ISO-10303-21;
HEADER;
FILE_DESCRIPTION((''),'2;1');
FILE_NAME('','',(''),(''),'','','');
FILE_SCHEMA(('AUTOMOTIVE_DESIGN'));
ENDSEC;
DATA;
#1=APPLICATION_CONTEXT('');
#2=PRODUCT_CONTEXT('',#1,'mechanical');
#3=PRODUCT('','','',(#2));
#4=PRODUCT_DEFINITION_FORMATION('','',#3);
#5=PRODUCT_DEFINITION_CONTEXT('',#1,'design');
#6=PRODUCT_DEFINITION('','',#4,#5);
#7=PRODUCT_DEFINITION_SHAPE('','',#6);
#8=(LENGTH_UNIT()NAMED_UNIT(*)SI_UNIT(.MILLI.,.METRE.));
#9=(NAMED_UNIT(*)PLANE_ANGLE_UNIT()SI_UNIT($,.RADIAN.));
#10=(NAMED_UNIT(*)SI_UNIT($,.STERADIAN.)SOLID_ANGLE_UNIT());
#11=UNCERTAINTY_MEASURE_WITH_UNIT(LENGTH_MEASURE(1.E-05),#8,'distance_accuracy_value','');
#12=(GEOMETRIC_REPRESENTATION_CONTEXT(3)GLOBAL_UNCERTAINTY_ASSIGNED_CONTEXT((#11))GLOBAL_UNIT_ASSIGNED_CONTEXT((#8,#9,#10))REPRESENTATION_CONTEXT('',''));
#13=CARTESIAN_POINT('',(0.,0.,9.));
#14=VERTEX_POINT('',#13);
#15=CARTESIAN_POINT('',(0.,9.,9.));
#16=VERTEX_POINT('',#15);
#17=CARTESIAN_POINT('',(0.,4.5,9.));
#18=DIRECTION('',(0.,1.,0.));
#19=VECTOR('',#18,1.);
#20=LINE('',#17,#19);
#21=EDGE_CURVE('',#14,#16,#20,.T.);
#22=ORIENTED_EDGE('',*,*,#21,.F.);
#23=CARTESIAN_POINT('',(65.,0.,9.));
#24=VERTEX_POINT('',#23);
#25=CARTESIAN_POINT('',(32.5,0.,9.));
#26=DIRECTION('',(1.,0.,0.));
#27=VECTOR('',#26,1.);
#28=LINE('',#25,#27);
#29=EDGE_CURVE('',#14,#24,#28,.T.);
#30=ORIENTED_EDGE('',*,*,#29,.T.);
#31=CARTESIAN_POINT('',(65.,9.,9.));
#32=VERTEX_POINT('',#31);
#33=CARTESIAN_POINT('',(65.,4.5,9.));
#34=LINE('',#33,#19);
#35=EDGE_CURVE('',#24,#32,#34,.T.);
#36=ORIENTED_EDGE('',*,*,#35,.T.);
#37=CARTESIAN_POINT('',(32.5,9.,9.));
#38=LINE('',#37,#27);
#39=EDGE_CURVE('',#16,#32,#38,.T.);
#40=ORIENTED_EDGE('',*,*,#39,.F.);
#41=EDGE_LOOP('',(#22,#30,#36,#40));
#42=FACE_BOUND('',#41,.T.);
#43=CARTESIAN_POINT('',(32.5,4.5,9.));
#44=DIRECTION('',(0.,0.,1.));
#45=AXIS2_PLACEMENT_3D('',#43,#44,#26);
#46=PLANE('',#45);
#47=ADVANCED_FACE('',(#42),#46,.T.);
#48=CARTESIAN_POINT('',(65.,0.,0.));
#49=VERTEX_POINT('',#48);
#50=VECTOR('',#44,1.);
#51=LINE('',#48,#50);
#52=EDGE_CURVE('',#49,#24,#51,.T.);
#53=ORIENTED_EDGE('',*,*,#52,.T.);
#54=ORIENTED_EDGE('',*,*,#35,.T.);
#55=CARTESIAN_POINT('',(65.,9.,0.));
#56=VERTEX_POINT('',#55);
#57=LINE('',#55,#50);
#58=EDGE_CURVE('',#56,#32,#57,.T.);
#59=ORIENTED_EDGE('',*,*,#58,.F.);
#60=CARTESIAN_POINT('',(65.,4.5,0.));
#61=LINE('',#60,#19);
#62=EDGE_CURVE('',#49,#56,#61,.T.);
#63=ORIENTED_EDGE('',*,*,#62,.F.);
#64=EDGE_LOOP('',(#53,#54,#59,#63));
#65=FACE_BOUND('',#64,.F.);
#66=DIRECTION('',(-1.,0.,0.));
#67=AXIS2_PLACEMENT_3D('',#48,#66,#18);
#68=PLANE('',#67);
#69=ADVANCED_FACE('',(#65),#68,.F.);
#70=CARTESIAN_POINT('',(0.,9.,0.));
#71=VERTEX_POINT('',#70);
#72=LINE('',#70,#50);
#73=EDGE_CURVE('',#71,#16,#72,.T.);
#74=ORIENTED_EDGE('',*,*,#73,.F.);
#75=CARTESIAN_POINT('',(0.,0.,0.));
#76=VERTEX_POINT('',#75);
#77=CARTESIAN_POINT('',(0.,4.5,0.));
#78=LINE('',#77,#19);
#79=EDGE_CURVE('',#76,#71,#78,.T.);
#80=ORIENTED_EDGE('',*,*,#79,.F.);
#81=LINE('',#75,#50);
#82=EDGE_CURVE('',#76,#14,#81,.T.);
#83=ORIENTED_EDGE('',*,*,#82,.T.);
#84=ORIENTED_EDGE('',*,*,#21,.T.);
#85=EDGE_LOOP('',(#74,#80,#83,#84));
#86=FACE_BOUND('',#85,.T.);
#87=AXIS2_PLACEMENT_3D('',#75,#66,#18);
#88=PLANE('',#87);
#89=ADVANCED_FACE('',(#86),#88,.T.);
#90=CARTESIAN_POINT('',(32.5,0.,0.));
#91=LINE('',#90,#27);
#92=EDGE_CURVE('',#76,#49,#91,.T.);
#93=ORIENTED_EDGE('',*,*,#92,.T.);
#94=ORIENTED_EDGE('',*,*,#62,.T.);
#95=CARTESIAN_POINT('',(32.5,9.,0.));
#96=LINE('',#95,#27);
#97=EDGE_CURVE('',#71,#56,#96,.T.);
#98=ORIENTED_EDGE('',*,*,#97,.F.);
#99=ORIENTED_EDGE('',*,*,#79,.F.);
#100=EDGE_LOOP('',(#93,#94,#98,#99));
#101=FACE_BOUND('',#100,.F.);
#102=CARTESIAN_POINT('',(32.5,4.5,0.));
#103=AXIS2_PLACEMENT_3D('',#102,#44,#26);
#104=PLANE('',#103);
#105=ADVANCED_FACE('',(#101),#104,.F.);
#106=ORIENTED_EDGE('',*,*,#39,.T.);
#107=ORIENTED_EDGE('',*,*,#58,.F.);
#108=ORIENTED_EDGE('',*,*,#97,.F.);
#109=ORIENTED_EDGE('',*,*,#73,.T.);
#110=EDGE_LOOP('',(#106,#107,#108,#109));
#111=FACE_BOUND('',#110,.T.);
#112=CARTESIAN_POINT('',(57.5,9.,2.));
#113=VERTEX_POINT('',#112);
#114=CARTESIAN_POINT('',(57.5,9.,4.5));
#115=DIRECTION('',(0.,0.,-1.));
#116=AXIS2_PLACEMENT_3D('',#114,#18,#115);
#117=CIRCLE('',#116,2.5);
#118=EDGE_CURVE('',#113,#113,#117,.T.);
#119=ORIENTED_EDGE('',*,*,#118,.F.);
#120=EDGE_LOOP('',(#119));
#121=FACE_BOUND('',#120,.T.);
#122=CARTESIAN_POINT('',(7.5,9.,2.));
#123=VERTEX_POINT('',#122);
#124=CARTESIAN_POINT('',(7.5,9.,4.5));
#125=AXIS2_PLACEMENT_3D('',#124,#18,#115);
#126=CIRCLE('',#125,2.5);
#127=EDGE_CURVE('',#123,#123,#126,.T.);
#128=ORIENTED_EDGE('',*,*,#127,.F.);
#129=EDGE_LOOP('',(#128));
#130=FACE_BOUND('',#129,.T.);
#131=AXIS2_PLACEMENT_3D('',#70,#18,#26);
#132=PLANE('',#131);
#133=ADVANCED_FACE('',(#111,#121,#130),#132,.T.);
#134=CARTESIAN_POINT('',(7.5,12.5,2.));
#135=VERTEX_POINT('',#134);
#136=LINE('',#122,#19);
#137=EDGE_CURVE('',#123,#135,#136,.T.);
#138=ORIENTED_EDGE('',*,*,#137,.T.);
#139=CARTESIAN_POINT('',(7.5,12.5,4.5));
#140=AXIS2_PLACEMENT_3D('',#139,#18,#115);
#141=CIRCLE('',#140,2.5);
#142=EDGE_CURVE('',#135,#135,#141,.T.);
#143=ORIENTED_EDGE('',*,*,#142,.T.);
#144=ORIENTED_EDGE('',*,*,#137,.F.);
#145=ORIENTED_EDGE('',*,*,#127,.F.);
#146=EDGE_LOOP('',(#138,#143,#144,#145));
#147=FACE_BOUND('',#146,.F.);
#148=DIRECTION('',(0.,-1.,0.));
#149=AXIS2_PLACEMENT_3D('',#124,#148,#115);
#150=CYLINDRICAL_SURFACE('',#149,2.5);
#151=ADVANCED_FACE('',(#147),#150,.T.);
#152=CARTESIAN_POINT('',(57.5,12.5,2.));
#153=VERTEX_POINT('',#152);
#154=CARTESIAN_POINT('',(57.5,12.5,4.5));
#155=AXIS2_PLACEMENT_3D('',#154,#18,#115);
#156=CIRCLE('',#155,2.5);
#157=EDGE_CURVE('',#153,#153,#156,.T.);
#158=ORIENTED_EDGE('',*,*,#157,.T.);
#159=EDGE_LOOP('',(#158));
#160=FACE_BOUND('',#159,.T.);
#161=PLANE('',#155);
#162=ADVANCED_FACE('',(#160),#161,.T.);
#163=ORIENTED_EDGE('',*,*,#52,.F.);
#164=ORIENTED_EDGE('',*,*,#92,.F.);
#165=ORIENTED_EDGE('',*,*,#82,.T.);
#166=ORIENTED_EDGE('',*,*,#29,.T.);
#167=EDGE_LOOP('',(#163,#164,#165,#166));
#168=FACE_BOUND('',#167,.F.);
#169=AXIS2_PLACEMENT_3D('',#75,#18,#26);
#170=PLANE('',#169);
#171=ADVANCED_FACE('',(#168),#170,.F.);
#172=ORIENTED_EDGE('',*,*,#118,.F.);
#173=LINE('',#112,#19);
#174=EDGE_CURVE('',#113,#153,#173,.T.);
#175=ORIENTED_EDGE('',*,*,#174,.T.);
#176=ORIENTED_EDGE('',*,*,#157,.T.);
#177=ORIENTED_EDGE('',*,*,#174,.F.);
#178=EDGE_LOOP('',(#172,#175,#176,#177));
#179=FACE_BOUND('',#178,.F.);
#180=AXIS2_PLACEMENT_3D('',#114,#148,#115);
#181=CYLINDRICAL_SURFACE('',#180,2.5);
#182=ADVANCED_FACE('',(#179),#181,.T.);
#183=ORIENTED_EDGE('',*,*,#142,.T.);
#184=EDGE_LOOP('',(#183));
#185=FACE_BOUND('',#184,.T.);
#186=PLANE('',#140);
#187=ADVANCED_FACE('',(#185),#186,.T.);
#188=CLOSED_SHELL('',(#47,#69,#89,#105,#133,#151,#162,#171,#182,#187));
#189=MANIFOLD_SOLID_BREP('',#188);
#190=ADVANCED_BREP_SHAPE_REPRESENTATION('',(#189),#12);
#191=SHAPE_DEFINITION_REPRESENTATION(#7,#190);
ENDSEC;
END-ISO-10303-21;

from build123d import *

# Parameters (mm, degrees)
SKETCH3_W           = 65
SKETCH3_H           = 9
BOSS_EXTRUDE2_DEPTH = 9
SKETCH4_R           = 2.5
BOSS_EXTRUDE3_DEPTH = 3.5


with BuildPart() as part:
    # Sketch3 → Boss-Extrude2 (new body)
    with BuildSketch(Plane.XY):
        with Locations((32.5, 4.5)):
            Rectangle(SKETCH3_W, SKETCH3_H)
    extrude(amount=BOSS_EXTRUDE2_DEPTH)

    # Sketch4 → Boss-Extrude3 (add)
    with BuildSketch(Plane(origin=(0, 9, 0), x_dir=(1, 0, 0), z_dir=(0, 1, 0))):
        with Locations(Location((57.5, -4.5, 0), (0, 0, 90))):  # turned: the seam where the file's is
            Circle(SKETCH4_R)
        with Locations(Location((7.5, -4.5, 0), (0, 0, 90))):  # turned: the seam where the file's is
            Circle(SKETCH4_R)
    extrude(amount=BOSS_EXTRUDE3_DEPTH)


solid = part.part
